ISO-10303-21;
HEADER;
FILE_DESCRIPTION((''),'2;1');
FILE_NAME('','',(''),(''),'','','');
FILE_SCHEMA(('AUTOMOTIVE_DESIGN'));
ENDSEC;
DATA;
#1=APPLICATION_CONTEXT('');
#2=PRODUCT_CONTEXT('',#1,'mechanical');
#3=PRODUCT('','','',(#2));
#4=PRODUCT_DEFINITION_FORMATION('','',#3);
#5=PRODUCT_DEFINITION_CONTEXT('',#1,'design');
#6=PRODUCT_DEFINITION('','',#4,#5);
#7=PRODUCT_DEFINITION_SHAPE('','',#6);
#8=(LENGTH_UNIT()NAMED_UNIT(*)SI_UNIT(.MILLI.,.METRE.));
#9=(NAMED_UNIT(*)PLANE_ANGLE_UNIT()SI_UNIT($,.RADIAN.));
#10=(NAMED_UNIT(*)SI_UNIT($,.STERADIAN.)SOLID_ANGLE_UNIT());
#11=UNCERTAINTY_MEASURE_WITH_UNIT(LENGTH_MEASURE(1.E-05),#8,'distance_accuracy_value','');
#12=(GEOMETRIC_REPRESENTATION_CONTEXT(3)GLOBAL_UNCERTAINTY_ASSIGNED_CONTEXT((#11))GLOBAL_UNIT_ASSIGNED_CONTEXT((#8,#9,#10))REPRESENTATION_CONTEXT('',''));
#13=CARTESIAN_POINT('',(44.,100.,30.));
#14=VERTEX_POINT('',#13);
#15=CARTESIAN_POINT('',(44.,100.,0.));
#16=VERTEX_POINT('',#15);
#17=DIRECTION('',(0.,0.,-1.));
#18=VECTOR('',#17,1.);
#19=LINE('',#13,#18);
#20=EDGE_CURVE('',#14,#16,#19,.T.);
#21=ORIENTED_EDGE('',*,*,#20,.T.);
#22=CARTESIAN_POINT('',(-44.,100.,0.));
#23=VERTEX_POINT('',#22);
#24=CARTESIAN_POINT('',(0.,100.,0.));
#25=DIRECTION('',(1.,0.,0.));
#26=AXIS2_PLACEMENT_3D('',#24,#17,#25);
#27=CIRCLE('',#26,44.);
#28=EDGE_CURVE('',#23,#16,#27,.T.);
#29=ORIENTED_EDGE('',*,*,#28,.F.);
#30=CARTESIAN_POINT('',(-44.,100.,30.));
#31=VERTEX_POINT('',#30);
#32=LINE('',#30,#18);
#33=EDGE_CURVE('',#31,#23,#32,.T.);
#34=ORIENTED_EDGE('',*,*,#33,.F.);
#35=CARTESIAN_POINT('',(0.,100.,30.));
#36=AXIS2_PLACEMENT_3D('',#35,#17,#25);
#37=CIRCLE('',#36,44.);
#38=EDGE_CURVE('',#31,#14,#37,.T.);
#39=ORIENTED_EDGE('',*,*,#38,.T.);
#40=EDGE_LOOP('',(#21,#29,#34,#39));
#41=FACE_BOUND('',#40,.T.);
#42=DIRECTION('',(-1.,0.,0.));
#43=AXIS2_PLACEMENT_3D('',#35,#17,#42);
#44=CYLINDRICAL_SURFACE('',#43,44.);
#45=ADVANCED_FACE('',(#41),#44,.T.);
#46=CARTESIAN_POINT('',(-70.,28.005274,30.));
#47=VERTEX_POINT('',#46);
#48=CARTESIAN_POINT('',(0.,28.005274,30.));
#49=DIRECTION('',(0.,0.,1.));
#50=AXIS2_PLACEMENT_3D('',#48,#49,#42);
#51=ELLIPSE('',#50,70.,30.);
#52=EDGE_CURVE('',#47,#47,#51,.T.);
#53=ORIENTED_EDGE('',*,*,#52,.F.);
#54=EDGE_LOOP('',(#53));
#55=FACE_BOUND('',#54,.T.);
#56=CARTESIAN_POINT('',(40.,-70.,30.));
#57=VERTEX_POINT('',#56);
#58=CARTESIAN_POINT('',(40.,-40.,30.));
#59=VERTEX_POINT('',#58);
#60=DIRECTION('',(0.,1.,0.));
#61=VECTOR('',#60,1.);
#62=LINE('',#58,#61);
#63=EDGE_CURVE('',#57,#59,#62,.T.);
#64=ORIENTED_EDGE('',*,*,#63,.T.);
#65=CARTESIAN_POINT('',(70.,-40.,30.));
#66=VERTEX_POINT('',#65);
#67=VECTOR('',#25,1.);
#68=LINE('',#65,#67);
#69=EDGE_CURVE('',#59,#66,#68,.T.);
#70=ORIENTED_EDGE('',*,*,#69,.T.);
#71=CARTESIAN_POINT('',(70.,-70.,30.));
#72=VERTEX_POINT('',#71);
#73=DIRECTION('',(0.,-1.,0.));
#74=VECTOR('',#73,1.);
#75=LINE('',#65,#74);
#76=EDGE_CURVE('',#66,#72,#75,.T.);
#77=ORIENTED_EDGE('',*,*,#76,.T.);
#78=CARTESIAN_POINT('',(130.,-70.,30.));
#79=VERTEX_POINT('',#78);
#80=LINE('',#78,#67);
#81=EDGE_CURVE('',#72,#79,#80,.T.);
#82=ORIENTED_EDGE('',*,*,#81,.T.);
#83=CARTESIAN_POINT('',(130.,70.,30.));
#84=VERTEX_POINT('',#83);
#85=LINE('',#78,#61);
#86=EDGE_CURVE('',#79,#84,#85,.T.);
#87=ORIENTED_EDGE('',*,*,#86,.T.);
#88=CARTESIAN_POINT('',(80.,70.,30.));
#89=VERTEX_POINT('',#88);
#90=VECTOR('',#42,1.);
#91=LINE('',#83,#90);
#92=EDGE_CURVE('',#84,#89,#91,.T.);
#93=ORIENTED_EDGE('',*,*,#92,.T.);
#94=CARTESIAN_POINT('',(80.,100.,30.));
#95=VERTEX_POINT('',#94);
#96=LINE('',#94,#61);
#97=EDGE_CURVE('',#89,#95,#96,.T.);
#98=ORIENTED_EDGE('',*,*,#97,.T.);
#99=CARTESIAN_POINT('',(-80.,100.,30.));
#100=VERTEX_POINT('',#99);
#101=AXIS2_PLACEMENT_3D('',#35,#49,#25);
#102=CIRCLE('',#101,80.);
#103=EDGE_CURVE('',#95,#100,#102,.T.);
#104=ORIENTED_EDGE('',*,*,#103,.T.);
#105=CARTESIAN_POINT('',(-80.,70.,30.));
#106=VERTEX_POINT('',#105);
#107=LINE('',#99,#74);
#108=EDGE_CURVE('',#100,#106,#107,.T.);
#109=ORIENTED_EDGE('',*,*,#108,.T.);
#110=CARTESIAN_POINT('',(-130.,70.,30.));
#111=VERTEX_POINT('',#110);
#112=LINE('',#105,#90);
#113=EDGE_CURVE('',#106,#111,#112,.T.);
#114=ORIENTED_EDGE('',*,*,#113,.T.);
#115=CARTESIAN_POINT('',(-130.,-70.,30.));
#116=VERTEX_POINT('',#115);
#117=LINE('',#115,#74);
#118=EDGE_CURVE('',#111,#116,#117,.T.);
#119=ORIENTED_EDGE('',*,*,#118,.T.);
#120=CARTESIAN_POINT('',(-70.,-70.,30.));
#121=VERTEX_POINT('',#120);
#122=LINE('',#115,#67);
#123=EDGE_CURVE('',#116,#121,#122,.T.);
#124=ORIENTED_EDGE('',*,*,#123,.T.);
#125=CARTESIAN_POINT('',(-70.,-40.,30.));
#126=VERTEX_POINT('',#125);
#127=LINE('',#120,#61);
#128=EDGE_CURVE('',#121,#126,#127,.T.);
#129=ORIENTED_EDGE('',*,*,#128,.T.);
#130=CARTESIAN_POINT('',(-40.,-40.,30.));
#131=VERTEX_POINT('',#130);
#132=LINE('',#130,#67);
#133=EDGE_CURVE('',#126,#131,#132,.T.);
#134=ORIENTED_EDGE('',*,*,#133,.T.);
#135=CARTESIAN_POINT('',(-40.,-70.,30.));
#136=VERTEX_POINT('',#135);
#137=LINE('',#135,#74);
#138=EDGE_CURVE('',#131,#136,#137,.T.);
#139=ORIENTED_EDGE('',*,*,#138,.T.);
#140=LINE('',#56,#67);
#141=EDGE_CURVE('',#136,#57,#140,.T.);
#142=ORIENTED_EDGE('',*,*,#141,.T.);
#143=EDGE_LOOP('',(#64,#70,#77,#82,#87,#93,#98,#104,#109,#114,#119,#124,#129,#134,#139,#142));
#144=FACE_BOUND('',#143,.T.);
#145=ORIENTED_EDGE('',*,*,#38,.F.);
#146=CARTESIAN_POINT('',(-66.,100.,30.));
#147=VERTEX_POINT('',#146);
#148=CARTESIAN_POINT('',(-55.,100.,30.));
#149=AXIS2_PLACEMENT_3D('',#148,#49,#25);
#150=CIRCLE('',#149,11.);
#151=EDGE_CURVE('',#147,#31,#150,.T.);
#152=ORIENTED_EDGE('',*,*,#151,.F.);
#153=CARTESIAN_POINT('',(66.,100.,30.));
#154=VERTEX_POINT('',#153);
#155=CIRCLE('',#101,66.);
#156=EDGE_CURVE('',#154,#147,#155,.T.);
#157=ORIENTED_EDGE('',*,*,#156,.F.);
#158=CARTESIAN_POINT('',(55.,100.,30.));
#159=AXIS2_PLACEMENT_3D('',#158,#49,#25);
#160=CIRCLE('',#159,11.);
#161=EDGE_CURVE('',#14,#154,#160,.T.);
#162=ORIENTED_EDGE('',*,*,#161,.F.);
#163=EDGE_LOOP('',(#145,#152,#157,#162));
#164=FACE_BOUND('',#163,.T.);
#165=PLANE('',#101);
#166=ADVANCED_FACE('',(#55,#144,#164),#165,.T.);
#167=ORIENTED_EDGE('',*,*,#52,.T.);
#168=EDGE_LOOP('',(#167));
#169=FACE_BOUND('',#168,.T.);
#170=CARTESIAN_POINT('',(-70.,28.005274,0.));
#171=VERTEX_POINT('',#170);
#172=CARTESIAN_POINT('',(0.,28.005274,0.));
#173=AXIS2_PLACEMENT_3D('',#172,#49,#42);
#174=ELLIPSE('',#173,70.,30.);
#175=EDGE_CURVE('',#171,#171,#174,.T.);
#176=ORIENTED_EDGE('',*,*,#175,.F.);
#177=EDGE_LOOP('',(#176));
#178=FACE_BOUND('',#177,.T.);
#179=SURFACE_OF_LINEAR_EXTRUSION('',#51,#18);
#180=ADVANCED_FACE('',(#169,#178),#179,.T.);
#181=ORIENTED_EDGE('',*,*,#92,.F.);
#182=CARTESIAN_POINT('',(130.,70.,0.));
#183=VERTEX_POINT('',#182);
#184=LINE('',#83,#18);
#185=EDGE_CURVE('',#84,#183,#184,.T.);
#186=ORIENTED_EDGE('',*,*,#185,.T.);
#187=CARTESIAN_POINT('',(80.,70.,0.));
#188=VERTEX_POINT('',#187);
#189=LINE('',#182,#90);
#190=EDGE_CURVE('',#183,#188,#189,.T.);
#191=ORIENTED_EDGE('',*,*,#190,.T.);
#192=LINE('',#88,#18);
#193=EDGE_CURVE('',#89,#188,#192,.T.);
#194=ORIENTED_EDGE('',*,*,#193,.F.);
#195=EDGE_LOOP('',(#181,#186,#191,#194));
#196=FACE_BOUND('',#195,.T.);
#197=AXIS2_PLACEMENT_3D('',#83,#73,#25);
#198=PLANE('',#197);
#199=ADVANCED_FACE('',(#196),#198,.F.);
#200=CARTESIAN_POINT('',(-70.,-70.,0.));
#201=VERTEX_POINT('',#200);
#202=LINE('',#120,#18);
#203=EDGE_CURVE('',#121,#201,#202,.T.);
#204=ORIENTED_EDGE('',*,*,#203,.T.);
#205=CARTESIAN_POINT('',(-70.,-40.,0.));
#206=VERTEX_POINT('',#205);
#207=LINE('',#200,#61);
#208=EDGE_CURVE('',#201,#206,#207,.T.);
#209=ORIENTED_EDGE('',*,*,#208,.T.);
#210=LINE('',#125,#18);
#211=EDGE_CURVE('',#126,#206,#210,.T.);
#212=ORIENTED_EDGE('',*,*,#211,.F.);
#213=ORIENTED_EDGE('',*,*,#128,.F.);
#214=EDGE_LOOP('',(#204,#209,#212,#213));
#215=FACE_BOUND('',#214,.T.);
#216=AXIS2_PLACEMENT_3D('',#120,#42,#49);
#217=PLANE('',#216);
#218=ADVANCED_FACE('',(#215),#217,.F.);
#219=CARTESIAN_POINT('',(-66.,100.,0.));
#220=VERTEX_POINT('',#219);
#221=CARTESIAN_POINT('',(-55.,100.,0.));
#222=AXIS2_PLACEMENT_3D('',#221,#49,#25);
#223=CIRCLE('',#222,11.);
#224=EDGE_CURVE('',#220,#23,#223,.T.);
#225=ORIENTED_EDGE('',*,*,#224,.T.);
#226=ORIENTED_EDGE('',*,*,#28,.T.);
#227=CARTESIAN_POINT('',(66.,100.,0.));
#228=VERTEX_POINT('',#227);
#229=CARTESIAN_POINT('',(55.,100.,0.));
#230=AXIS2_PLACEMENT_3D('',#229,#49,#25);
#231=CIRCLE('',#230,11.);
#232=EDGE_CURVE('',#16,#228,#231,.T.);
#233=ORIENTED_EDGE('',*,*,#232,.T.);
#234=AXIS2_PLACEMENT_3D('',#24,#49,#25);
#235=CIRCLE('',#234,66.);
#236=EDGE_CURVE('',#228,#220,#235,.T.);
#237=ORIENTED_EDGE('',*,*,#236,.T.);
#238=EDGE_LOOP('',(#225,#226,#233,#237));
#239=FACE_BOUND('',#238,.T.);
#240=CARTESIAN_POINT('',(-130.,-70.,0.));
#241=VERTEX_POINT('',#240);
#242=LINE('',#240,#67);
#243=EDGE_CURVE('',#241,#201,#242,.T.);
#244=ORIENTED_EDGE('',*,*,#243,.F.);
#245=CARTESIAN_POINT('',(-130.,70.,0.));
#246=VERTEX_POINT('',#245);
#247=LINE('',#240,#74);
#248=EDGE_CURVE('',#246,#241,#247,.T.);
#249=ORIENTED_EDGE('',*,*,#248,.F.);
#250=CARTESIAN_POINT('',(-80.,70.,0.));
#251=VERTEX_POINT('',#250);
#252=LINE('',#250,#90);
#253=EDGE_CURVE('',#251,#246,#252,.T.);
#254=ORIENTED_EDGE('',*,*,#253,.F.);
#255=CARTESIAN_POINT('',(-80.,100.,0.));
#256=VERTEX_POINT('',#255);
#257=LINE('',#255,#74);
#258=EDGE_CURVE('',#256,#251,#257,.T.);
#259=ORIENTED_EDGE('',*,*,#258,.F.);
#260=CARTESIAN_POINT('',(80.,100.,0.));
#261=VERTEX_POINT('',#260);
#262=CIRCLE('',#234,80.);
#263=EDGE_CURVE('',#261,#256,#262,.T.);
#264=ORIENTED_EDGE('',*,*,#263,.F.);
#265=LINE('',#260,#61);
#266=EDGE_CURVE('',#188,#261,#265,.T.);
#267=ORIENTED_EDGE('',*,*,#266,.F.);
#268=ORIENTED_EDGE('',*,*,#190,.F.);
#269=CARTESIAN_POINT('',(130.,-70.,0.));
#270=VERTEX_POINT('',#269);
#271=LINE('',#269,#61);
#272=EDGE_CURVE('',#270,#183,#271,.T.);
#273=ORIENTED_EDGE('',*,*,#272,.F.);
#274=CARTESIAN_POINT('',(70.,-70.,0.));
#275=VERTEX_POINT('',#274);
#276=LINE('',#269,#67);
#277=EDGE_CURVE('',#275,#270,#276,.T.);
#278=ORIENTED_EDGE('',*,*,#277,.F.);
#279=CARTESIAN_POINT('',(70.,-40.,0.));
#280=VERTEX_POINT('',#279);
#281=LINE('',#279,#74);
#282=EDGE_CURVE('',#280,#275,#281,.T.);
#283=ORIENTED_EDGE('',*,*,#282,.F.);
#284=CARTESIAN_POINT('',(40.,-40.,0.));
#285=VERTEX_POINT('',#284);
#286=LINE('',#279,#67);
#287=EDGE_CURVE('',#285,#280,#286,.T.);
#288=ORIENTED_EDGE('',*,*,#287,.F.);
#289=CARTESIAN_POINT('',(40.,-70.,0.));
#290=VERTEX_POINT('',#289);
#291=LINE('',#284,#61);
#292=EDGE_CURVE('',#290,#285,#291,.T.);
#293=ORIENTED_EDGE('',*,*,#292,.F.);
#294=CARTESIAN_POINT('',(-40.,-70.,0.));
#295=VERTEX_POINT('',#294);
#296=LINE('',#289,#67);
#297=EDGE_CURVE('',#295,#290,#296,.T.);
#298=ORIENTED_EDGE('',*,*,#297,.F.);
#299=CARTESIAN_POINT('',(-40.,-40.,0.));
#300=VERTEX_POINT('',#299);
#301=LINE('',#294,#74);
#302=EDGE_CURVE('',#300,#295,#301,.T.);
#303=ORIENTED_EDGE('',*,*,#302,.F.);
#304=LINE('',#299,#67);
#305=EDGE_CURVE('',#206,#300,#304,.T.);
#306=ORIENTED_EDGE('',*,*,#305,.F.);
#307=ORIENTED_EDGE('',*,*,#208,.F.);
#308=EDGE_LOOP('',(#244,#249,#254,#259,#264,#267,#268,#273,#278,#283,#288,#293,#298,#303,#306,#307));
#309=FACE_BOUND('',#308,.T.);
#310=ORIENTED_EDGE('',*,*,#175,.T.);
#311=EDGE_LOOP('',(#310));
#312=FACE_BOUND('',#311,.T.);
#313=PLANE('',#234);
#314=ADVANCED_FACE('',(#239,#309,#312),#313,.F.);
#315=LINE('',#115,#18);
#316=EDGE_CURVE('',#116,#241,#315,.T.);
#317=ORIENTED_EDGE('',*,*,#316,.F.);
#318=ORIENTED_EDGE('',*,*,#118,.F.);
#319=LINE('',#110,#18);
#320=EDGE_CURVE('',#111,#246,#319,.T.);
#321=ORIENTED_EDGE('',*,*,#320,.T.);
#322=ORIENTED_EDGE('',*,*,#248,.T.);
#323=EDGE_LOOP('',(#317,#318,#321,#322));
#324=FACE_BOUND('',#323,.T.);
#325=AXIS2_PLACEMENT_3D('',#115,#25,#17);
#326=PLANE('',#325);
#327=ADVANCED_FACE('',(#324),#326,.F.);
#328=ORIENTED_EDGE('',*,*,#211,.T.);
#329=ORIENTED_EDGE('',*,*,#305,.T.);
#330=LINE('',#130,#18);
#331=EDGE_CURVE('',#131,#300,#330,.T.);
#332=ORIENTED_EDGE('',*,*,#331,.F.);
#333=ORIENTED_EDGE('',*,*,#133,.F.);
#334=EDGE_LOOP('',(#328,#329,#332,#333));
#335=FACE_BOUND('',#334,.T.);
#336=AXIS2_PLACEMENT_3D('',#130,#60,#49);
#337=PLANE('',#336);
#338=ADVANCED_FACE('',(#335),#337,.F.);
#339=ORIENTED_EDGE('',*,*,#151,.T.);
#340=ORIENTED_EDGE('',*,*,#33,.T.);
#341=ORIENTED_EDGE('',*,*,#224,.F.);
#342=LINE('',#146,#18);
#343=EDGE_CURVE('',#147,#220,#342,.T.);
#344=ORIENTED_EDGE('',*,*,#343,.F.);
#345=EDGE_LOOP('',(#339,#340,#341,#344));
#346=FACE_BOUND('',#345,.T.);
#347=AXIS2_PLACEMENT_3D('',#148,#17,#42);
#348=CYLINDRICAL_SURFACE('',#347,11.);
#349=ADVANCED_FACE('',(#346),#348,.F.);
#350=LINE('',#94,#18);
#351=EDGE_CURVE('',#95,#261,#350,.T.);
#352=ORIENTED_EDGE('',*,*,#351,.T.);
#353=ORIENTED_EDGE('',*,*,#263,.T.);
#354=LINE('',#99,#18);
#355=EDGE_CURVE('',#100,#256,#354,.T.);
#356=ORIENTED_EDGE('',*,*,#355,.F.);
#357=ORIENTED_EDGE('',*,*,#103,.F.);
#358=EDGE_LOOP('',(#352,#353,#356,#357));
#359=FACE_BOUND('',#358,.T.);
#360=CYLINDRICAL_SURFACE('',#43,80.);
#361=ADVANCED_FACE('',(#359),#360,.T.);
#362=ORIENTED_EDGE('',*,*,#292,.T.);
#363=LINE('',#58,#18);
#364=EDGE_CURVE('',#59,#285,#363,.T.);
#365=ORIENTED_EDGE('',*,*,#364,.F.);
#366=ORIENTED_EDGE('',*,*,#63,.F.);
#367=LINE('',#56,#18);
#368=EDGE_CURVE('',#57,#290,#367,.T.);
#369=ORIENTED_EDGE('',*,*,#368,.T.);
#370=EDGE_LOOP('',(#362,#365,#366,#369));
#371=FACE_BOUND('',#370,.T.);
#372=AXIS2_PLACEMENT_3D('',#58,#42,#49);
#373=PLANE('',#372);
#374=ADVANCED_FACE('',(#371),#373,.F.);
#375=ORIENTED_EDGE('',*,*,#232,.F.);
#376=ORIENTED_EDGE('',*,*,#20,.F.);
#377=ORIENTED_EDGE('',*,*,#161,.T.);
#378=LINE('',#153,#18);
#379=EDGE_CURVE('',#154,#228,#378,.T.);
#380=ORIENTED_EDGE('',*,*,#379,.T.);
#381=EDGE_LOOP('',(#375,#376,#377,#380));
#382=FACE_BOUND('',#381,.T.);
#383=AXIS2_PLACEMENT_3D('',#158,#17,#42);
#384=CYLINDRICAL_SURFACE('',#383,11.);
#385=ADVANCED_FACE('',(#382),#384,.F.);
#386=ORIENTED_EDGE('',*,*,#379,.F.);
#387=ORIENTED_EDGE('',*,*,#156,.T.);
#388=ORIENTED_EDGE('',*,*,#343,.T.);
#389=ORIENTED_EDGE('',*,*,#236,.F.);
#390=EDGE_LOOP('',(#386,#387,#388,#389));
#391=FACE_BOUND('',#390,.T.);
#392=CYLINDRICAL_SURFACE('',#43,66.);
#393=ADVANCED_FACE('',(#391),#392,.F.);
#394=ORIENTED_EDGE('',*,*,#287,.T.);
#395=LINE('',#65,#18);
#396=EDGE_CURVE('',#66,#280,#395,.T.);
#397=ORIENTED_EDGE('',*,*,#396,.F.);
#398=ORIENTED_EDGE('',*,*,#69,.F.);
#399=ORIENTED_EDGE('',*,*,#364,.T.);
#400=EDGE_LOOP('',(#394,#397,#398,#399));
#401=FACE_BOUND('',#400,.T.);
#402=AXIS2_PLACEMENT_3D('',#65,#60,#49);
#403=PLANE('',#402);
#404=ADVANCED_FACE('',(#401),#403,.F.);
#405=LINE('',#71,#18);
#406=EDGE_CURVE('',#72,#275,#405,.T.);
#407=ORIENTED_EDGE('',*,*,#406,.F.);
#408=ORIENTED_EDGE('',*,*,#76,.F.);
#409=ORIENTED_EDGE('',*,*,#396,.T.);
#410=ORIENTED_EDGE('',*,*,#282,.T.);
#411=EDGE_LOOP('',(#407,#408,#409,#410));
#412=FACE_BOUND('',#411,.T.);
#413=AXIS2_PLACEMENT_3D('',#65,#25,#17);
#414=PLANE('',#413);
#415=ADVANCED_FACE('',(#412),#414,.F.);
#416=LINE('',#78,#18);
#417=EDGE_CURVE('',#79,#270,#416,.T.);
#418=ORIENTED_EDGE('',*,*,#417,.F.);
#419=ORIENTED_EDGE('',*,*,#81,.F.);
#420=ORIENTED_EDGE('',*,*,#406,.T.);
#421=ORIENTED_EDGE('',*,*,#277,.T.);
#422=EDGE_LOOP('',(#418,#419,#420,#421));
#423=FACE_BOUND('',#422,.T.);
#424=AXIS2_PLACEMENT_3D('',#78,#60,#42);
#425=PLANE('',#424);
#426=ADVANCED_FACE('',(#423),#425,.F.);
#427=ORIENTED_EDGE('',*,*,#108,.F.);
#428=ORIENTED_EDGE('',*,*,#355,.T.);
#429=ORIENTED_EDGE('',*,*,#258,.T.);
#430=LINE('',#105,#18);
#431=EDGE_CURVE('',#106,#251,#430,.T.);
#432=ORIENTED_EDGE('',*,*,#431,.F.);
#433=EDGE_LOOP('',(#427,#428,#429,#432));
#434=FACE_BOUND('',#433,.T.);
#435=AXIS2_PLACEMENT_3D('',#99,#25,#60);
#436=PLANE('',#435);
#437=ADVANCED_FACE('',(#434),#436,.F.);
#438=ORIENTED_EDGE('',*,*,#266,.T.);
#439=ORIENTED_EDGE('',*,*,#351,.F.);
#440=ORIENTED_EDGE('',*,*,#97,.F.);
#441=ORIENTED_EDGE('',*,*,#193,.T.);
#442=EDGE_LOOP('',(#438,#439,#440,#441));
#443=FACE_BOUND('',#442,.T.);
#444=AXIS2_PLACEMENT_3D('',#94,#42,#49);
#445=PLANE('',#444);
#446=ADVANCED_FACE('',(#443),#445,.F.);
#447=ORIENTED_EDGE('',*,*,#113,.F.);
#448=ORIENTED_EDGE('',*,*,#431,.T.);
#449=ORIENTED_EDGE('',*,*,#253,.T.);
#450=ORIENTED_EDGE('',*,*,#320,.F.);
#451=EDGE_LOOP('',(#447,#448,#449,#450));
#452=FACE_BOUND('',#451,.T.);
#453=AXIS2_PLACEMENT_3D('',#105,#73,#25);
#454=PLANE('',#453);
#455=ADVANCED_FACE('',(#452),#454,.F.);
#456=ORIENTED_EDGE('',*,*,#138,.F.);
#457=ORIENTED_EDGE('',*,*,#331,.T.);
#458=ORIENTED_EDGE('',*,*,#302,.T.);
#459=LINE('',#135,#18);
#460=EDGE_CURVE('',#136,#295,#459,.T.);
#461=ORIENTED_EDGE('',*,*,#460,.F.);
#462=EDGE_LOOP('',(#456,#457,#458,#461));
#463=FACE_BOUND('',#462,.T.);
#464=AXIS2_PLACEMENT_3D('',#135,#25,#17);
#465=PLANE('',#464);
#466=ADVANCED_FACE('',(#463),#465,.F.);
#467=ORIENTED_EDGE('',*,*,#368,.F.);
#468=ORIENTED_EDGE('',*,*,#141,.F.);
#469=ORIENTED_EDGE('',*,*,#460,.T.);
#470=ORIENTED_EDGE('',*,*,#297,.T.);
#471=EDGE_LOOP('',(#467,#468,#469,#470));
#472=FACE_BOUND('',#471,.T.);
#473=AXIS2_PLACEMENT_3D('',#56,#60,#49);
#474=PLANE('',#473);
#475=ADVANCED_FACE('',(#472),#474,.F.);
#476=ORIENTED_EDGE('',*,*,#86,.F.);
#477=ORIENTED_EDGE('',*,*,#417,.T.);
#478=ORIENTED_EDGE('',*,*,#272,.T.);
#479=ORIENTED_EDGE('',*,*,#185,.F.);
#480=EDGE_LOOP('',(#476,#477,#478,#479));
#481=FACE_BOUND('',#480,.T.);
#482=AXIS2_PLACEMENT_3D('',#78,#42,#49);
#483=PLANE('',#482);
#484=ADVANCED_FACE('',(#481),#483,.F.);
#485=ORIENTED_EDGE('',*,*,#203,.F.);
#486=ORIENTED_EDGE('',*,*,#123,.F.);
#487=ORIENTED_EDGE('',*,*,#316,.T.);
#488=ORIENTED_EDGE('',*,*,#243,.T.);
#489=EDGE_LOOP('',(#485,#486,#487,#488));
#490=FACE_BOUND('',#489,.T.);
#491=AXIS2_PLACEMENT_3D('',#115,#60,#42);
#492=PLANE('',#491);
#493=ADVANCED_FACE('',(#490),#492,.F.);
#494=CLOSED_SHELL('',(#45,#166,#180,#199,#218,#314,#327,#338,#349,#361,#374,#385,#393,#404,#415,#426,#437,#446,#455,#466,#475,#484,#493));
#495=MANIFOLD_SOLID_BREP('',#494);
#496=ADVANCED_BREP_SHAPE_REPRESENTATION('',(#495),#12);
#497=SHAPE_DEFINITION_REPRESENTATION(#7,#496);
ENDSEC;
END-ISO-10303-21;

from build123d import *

# Parameters (mm, degrees)
SKETCH1_RX          = 70
SKETCH1_RY          = 30
BOSS_EXTRUDE1_DEPTH = 30


with BuildPart() as part:
    # Sketch1 → Boss-Extrude1 (new body)
    with BuildSketch(Plane.XY):
        with BuildLine():
            Line((130, -70), (70, -70))
            Line((70, -70), (70, -40))
            Line((70, -40), (40, -40))
            Line((40, -40), (40, -70))
            Line((40, -70), (-40, -70))
            Line((-40, -70), (-40, -40))
            Line((-40, -40), (-70, -40))
            Line((-70, -40), (-70, -70))
            Line((-70, -70), (-130, -70))
            Line((-130, -70), (-130, 70))
            Line((-130, 70), (-80, 70))
            Line((-80, 70), (-80, 100))
            ThreePointArc((-80, 100), (0, 180), (80, 100))
            Line((80, 100), (80, 70))
            Line((80, 70), (130, 70))
            Line((130, 70), (130, -70))
        make_face()
        with Locations(Location((0, 28.005273926), (0, 0, -180))):
            Ellipse(SKETCH1_RX, SKETCH1_RY, mode=Mode.SUBTRACT)
        with BuildLine():
            ThreePointArc((66, 100), (0, 166), (-66, 100))
            ThreePointArc((-66, 100), (-55, 89), (-44, 100))
            ThreePointArc((-44, 100), (0, 144), (44, 100))
            ThreePointArc((44, 100), (55, 89), (66, 100))
        make_face(mode=Mode.SUBTRACT)
    extrude(amount=BOSS_EXTRUDE1_DEPTH)


solid = part.part
